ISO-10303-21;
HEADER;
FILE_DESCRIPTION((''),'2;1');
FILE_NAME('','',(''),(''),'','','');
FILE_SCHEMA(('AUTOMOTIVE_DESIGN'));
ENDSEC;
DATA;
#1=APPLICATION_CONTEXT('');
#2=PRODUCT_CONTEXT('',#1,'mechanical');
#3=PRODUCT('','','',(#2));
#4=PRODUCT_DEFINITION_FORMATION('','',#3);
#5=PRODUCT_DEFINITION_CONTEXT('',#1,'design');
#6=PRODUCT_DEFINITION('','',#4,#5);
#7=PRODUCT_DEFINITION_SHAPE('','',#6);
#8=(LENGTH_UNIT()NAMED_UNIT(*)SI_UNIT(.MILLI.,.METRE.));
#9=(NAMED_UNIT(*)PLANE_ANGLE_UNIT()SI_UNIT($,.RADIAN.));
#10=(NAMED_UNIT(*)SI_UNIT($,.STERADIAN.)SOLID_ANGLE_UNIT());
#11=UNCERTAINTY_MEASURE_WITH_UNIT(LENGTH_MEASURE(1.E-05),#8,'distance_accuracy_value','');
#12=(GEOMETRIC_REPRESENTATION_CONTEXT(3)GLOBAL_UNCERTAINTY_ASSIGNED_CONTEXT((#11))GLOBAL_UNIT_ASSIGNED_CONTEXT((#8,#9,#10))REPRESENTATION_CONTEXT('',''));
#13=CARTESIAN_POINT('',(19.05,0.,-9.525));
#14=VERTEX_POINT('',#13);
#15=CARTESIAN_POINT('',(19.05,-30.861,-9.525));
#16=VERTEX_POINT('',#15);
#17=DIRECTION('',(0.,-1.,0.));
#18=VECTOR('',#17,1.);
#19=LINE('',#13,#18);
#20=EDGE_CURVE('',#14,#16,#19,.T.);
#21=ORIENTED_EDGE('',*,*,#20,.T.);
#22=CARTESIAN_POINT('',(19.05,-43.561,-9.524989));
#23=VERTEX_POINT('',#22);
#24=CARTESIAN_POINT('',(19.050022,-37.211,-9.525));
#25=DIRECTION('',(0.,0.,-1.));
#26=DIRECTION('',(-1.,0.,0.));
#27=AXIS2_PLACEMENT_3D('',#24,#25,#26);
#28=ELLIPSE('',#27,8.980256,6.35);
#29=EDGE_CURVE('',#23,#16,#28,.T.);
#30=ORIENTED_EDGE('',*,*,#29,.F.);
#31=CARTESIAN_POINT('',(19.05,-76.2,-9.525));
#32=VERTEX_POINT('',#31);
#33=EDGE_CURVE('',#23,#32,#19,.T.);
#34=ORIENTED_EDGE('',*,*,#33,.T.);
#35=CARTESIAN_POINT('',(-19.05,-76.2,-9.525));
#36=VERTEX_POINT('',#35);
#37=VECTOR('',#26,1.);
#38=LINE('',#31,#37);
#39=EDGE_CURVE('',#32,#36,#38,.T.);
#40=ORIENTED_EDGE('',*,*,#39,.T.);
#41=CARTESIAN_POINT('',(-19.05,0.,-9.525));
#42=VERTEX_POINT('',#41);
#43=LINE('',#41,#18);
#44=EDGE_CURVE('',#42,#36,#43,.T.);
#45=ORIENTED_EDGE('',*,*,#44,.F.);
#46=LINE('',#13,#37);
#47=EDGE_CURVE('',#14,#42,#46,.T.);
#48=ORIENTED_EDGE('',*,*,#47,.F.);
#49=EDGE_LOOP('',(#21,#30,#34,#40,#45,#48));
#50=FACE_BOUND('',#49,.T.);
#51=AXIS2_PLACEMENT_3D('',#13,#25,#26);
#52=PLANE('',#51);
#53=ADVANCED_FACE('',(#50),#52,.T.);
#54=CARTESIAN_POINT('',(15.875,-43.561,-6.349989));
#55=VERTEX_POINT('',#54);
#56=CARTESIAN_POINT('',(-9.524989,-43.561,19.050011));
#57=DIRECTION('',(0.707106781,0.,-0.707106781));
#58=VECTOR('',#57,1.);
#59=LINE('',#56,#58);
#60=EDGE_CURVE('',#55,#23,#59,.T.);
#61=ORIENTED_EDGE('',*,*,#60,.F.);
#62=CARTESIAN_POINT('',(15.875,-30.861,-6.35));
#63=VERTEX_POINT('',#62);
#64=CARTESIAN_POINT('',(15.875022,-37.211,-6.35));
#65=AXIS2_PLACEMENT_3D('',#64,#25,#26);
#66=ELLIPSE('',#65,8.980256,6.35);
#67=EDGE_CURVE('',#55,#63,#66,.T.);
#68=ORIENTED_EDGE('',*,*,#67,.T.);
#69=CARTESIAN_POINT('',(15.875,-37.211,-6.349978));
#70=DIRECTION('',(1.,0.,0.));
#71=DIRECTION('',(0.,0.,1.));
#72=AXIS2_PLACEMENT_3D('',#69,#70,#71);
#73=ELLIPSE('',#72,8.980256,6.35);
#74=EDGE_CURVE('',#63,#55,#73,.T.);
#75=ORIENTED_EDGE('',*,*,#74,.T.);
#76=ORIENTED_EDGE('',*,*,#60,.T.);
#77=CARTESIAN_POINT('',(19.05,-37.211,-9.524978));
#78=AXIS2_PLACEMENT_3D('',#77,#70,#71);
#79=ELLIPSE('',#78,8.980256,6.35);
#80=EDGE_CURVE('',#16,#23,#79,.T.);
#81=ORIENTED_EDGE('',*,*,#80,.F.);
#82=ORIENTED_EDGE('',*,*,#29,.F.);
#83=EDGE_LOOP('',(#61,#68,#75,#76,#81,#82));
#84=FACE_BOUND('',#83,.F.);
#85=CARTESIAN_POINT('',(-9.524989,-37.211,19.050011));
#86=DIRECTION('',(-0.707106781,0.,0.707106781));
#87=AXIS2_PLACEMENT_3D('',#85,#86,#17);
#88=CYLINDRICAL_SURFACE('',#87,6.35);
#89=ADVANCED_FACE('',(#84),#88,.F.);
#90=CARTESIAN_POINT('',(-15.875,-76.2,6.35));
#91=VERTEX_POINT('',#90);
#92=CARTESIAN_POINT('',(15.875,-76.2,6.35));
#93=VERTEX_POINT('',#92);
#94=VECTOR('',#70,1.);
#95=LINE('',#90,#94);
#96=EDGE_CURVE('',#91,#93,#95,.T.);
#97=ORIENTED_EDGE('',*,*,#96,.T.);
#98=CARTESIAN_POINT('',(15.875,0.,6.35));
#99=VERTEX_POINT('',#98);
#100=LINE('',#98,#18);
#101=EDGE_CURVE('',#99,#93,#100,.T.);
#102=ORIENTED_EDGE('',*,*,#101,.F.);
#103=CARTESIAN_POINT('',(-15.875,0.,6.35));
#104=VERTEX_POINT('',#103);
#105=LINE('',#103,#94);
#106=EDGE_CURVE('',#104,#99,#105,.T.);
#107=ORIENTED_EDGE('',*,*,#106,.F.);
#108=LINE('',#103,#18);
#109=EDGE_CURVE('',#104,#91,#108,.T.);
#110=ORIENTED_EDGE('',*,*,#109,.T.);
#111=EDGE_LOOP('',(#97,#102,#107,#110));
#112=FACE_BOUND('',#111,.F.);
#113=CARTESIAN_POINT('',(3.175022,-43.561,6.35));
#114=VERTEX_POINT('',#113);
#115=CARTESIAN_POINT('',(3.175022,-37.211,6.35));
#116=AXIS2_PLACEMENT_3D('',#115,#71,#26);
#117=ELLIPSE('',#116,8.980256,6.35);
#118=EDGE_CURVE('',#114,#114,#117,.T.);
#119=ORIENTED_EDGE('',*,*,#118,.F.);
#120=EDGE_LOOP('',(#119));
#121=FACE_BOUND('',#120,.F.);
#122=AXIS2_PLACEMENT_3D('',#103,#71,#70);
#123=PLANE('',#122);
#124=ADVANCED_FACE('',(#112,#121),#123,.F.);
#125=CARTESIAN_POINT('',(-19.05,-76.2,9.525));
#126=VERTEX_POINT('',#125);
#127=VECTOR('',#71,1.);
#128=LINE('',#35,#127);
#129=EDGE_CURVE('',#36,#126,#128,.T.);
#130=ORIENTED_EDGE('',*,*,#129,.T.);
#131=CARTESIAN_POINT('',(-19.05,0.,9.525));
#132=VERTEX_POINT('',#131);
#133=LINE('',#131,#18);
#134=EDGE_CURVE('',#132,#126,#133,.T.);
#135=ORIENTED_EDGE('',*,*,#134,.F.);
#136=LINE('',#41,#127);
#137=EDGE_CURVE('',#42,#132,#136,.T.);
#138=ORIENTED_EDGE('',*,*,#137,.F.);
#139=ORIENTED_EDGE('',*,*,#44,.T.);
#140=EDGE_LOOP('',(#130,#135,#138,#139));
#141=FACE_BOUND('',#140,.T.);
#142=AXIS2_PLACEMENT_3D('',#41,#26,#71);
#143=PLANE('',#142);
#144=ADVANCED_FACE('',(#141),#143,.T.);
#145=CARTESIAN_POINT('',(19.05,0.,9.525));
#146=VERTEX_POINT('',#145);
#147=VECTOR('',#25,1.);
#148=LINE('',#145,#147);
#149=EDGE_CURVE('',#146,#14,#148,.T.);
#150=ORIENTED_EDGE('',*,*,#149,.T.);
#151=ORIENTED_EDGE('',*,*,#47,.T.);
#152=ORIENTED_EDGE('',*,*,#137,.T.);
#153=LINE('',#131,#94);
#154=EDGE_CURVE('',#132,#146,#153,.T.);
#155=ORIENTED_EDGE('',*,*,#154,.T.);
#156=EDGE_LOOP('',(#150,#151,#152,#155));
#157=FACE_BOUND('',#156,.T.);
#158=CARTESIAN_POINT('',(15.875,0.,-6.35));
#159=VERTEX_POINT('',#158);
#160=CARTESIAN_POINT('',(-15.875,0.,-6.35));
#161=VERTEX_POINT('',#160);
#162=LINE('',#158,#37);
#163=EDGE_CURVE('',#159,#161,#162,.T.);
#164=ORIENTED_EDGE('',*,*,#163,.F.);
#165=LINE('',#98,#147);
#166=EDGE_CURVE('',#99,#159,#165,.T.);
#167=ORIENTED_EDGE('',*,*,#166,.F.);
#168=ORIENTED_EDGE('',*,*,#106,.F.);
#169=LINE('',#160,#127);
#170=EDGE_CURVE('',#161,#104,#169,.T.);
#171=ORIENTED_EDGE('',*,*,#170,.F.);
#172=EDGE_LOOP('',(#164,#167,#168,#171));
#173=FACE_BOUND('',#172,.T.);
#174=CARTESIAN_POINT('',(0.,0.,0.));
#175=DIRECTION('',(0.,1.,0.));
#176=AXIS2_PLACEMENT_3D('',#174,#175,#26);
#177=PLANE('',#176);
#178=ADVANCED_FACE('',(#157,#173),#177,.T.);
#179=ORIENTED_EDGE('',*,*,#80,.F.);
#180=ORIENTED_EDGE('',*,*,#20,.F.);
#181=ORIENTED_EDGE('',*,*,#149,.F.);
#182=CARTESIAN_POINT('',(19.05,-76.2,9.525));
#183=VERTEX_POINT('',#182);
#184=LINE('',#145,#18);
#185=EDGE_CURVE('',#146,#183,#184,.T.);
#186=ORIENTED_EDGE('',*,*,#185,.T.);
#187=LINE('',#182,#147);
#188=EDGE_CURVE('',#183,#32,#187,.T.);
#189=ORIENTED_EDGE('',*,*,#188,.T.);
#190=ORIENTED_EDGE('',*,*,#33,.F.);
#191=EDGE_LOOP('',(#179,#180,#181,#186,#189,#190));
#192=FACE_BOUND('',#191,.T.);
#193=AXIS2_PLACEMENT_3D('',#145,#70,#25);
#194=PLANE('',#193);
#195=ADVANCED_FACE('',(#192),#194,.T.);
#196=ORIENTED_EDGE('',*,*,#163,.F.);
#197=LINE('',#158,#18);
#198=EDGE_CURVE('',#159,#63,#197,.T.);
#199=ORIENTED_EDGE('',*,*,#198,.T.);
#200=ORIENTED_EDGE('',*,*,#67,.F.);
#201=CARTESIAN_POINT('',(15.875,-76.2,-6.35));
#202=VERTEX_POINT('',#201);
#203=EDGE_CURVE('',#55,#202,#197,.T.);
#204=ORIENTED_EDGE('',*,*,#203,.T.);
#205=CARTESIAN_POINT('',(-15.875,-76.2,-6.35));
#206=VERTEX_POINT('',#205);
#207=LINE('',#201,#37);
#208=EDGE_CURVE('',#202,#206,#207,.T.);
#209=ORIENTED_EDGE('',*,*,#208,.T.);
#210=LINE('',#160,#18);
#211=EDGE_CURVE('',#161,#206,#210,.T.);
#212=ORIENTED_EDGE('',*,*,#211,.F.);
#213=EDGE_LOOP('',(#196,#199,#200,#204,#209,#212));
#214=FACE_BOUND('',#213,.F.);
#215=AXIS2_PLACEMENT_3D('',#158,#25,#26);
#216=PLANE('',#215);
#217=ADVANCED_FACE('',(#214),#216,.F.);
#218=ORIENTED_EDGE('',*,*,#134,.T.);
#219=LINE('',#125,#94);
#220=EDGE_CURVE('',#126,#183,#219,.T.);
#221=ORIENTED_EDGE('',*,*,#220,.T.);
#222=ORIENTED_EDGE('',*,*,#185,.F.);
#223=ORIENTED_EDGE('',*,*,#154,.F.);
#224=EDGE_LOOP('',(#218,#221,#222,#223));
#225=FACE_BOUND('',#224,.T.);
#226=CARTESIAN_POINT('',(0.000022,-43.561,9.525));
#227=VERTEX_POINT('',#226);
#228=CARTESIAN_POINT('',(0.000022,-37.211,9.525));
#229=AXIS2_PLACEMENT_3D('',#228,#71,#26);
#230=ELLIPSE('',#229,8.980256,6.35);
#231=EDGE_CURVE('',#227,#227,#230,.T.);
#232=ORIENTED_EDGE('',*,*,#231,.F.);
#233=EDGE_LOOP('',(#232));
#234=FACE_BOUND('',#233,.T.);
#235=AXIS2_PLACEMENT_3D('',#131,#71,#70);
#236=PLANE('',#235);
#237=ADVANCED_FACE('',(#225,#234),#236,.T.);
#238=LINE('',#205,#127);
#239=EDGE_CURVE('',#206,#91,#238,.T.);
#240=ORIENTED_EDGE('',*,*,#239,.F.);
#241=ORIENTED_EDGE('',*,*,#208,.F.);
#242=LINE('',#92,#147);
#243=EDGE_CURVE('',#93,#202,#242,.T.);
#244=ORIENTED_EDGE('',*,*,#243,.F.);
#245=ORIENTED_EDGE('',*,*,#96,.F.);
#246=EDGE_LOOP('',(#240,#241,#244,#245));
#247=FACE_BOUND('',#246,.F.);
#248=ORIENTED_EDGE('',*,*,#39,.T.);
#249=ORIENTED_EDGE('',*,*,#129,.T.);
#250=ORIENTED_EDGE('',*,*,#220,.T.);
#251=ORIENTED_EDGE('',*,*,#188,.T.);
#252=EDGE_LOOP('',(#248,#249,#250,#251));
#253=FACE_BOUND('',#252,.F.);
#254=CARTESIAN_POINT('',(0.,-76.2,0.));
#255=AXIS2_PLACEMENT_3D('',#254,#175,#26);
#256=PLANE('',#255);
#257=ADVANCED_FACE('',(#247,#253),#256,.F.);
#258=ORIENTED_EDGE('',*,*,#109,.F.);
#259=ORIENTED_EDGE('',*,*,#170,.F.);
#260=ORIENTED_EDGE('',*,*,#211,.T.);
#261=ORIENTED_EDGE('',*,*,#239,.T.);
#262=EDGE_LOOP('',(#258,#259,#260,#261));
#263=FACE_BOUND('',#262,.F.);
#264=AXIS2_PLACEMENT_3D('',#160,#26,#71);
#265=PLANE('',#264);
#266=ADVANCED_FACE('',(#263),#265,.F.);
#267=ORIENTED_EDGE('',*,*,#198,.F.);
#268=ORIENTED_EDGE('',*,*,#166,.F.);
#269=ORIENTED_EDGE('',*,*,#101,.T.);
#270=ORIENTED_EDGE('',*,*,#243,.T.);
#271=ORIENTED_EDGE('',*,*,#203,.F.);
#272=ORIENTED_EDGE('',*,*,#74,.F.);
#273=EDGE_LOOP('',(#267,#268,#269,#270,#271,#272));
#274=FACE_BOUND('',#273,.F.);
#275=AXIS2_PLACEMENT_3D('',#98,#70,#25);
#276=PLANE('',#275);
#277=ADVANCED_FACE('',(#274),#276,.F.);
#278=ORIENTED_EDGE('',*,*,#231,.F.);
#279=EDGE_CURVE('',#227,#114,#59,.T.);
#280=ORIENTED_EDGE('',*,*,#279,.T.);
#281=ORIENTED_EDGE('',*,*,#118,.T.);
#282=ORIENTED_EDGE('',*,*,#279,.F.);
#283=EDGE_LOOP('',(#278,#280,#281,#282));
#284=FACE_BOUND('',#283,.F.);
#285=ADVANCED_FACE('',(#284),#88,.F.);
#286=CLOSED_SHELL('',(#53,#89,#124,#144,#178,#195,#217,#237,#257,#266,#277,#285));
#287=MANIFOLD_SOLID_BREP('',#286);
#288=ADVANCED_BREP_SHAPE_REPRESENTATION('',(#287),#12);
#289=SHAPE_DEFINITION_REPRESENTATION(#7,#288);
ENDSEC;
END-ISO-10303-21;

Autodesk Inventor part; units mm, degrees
ref_plane "YZ Plane" through (0, 0, 0) normal (1, 0, 0) x (0, 1, 0)
ref_plane "XZ Plane" through (0, 0, 0) normal (0, 1, 0) x (-1, 0, 0)
sketch "Sketch1" plane through (0, 0, 0) normal (0, 1, 0) x (-1, 0, 0)
  line L0 (19.05, 9.525) -> (-19.05, 9.525)
  line L1 (-19.05, 9.525) -> (-19.05, -9.525)
  line L2 (-19.05, -9.525) -> (19.05, -9.525)
  line L3 (19.05, -9.525) -> (19.05, 9.525)
  line L4 (19.05, 9.525) -> (-19.05, -9.525) construction
  line L5 (-19.05, 9.525) -> (19.05, -9.525) construction
  line L6 (15.875, 6.35) -> (-15.875, 6.35)
  line L7 (-15.875, 6.35) -> (-15.875, -6.35)
  line L8 (-15.875, -6.35) -> (15.875, -6.35)
  line L9 (15.875, -6.35) -> (15.875, 6.35)
  line L10 (15.875, 6.35) -> (-15.875, -6.35) construction
  line L11 (-15.875, 6.35) -> (15.875, -6.35) construction
  point P0 (0, 0)
  dimension "d0" = 19.05
  dimension "d1" = 38.1
  dimension "d2" = 3.175
  dimension "d3" = 3.175
extrude "Extrusion1" add sketch "Sketch1" against normal blind 76.2
ref_plane "Work Plane1" through (-19.05, 0, 9.525) normal (-0.7071, 0, 0.7071) x (0, -1, 0)
sketch "Sketch2" plane through (-19.05, 0, 9.525) normal (-0.7071, 0, 0.7071) x (0, -1, 0)
  line L0 (0, 13.4704) -> (76.2, 13.4704) projected
  circle A0 centre (37.211, 13.4704) radius 6.35
  line L1 (0, 0) -> (0, 26.9408) projected
  point P0 (0, 6.7352)
  dimension "d7" = 12.7
  dimension "d10" = 37.211
extrude "Extrusion2" cut sketch "Sketch2" against normal through all
equation "\"d4\" = length"
equation "\"length\" = 76.2"
properties part number "postForAxel" material "Aluminum 6061"
